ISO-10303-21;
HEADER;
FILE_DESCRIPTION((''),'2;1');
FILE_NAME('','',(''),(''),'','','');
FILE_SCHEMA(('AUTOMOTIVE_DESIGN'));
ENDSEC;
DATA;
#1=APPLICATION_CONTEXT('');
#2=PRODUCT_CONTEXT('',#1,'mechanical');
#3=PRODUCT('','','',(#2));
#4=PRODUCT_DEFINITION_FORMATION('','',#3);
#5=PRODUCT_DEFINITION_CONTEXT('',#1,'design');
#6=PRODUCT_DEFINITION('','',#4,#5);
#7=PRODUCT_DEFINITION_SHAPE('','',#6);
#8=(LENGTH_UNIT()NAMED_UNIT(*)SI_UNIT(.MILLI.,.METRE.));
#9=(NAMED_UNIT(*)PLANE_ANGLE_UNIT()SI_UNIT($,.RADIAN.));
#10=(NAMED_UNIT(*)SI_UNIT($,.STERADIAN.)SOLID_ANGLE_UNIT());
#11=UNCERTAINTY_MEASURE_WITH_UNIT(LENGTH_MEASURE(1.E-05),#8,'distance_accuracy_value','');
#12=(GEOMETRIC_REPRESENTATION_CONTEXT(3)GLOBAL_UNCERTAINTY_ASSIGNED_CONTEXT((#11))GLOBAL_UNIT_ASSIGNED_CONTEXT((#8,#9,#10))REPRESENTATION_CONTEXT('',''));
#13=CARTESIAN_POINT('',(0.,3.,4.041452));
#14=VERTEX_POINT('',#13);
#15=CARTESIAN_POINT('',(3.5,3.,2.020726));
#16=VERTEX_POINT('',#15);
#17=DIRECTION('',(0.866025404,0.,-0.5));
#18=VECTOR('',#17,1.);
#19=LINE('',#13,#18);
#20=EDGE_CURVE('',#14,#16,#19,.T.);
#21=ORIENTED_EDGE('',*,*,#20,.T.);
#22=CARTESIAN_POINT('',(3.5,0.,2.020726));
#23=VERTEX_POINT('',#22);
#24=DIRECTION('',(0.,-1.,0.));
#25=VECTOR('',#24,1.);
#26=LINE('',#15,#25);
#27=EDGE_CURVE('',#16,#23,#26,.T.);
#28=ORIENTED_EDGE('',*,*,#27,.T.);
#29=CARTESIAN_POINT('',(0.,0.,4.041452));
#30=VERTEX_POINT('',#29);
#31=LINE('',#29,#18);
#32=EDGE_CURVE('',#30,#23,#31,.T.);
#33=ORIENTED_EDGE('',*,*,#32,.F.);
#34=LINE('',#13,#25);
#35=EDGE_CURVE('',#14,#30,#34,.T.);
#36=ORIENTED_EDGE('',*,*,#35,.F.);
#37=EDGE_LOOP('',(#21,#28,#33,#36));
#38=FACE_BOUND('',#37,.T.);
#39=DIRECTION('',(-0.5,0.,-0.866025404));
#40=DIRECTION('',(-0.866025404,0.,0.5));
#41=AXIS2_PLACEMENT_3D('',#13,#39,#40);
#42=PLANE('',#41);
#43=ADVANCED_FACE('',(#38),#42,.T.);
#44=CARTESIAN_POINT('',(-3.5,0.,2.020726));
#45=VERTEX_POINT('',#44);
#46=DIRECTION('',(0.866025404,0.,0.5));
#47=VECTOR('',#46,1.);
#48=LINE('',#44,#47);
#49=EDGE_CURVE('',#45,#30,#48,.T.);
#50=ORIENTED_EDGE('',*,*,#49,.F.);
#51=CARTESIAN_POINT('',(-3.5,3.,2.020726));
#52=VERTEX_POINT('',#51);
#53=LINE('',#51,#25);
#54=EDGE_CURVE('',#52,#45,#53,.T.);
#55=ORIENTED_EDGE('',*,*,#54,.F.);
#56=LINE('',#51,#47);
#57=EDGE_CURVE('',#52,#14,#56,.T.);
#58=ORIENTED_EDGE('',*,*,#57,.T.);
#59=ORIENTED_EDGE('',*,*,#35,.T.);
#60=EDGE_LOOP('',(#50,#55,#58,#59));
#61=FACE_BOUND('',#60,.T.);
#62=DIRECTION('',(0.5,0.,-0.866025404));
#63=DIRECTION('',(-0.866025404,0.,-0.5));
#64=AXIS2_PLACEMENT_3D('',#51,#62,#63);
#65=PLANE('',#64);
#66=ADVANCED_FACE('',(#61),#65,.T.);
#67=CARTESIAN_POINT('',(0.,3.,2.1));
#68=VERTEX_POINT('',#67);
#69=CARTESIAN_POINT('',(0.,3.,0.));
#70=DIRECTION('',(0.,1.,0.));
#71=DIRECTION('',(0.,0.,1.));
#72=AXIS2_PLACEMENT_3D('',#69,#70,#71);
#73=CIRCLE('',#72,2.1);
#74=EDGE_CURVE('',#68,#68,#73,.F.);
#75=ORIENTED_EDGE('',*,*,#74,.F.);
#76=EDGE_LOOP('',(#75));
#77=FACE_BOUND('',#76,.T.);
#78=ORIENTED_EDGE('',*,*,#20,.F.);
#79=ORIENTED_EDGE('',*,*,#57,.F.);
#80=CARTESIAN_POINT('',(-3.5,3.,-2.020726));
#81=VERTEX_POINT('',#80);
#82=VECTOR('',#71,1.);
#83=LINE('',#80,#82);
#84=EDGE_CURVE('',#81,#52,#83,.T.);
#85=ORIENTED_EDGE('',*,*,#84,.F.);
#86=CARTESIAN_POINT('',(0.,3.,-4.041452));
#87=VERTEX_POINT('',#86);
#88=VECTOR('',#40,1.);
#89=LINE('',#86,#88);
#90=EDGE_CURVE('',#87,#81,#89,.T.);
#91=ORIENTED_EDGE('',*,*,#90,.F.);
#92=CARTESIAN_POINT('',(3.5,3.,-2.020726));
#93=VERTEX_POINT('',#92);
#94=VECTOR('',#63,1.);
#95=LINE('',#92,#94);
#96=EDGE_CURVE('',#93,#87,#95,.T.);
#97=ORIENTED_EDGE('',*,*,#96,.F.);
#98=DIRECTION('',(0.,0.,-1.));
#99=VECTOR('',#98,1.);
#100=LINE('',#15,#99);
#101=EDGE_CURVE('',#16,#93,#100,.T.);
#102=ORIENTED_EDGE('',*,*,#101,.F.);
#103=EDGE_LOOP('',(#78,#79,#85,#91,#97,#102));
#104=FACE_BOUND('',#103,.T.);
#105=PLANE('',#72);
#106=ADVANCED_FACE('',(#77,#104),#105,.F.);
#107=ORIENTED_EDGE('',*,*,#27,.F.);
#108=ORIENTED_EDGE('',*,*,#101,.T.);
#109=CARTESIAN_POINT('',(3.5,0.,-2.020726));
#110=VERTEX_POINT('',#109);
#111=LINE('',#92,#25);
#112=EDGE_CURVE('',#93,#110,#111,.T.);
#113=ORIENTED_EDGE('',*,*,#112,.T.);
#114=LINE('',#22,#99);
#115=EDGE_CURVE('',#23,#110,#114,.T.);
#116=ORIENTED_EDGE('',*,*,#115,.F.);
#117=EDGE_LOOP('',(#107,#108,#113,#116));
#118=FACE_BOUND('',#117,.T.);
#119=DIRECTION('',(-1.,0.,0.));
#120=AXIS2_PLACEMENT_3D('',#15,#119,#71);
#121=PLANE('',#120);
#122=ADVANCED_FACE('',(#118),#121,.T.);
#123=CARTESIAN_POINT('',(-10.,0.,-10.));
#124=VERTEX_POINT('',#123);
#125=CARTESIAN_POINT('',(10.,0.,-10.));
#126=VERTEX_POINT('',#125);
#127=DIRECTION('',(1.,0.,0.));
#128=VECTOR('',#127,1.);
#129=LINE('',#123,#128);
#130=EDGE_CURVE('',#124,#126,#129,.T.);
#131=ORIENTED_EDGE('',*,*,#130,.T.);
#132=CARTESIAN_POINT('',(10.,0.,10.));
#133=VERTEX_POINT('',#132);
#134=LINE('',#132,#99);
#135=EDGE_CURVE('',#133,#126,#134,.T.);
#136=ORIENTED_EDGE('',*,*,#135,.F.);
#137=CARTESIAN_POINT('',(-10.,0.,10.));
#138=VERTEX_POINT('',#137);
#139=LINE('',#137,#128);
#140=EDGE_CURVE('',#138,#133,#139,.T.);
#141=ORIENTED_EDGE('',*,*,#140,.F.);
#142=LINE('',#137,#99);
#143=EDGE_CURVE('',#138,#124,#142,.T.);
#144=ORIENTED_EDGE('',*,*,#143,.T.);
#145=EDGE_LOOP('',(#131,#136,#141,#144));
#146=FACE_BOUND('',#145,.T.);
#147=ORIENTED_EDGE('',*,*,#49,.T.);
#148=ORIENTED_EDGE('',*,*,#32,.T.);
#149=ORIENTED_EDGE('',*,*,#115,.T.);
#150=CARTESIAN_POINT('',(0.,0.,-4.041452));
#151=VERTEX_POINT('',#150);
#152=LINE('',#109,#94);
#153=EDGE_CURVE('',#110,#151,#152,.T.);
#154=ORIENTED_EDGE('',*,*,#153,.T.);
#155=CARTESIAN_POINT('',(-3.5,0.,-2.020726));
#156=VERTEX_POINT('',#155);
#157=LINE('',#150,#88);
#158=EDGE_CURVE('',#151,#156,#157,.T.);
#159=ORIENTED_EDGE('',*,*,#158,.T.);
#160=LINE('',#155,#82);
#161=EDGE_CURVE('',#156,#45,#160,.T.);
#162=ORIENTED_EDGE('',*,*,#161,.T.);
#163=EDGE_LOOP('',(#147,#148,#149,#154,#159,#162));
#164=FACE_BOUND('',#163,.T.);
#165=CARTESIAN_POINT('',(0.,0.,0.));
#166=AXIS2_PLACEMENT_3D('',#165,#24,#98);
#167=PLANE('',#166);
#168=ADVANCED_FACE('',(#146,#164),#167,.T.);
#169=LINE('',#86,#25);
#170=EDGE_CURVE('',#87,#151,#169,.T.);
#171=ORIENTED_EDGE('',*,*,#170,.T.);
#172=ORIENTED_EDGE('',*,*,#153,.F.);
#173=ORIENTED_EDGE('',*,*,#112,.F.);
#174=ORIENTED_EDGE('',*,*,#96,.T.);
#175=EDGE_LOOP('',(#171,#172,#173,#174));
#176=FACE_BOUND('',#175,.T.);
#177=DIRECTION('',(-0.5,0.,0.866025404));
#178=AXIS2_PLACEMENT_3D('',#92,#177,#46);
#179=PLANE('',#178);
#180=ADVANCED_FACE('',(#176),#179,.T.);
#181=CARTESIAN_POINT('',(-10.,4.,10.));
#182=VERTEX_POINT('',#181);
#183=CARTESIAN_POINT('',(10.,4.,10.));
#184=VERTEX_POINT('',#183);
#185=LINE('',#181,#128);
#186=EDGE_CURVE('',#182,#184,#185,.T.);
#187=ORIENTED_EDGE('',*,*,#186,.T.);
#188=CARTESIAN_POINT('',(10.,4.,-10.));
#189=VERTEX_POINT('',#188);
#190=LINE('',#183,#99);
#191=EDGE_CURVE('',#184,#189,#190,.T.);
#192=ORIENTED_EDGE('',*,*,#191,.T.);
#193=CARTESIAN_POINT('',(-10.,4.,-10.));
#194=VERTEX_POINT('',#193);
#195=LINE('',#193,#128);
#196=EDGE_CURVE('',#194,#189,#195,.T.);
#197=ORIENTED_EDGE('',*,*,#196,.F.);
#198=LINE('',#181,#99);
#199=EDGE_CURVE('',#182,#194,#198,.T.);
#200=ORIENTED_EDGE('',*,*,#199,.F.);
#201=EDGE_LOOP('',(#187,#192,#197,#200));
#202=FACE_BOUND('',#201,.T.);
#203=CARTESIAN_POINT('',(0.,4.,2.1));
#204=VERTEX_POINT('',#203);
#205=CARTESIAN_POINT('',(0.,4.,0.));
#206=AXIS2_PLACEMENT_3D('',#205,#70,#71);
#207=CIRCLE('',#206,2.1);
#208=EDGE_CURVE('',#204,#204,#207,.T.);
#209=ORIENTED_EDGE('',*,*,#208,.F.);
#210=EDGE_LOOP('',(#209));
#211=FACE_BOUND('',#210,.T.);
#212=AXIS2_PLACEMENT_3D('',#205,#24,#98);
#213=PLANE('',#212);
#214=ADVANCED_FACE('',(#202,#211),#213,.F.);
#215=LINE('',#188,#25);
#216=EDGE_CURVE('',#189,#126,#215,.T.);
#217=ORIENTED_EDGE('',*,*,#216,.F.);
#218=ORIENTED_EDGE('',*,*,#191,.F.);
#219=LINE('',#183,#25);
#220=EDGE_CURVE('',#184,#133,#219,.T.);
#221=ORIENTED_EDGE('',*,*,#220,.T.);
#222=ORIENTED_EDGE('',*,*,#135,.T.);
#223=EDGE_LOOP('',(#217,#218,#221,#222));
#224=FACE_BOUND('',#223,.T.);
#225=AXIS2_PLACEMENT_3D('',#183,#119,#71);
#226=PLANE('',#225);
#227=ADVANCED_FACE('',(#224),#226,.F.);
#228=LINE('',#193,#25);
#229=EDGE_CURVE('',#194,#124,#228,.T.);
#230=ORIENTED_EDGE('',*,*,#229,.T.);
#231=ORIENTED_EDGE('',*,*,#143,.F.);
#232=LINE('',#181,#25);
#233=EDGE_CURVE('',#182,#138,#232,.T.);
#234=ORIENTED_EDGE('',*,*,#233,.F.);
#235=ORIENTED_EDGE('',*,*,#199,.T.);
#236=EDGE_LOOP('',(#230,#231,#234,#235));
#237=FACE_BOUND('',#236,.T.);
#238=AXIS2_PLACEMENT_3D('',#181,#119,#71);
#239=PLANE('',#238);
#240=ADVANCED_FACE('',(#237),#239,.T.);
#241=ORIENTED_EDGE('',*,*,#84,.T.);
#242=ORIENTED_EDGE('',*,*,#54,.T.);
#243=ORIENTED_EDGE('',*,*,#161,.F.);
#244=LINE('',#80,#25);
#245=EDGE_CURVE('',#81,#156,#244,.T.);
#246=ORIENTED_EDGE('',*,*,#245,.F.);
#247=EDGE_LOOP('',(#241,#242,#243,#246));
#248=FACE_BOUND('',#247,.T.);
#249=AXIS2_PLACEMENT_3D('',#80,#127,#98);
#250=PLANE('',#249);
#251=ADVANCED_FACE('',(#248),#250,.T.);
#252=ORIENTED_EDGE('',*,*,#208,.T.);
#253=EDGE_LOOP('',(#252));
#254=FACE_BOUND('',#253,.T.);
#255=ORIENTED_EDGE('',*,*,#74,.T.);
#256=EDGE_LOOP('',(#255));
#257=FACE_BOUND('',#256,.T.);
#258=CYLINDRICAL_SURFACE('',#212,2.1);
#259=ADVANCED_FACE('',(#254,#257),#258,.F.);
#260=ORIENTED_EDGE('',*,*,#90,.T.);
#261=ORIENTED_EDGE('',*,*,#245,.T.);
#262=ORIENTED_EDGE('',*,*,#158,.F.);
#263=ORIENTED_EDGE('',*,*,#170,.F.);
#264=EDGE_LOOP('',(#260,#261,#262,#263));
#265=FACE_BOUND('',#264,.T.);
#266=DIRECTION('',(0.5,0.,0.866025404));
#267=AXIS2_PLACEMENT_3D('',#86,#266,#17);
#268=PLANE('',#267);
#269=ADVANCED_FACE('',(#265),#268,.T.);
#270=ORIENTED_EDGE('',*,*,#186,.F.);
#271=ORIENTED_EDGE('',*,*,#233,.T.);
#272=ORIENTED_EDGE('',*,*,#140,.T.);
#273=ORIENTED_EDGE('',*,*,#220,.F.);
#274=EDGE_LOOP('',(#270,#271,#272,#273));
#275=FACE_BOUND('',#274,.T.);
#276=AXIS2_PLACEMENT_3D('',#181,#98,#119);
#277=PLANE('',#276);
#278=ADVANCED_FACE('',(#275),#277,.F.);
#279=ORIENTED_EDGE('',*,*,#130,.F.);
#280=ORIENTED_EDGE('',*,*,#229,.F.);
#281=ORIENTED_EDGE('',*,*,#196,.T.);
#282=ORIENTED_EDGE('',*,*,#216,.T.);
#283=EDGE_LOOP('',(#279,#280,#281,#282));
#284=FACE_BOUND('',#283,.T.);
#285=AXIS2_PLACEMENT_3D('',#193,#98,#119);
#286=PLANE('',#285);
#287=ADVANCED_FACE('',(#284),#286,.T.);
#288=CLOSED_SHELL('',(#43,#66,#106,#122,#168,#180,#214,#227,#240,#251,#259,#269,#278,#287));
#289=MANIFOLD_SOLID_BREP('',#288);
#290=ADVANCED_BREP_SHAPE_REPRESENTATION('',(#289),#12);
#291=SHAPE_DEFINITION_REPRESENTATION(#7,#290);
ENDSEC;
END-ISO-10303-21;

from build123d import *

# Parameters (mm, degrees)
SKETCH1_W               = 20
SKETCH1_H               = 20
BOSS_EXTRUDE1_DEPTH     = 4
CUT_EXTRUDE1_DEPTH      = 3
SKETCH1_4_R             = 2.1
CUT_EXTRUDE2_DEPTH      = 5
CUT_EXTRUDE2_DEPTH_BACK = 1


with BuildPart() as part:
    # Sketch1 → Boss-Extrude1 (new body)
    with BuildSketch(Plane(origin=(0, 0, 0), x_dir=(1, 0, 0), z_dir=(0, 1, 0))):
        Rectangle(SKETCH1_W, SKETCH1_H)
    extrude(amount=BOSS_EXTRUDE1_DEPTH)

    # Sketch1<3> → Cut-Extrude1 (cut)
    with BuildSketch(Plane(origin=(0, 0, 0), x_dir=(1, 0, 0), z_dir=(0, 1, 0))):
        Polygon((0, 4.041451884), (-3.5, 2.020725942), (-3.5, -2.020725942), (0, -4.041451884), (3.5, -2.020725942), (3.5, 2.020725942), align=None)
    extrude(amount=CUT_EXTRUDE1_DEPTH, mode=Mode.SUBTRACT)

    # Sketch1<4> → Cut-Extrude2 (cut, two sides)
    with BuildSketch(Plane(origin=(0, 0, 0), x_dir=(1, 0, 0), z_dir=(0, 1, 0))) as cut_extrude2_sk:
        Circle(SKETCH1_4_R)
    extrude(amount=CUT_EXTRUDE2_DEPTH, mode=Mode.SUBTRACT)
    extrude(cut_extrude2_sk.sketch, amount=-CUT_EXTRUDE2_DEPTH_BACK, mode=Mode.SUBTRACT)


solid = part.part
